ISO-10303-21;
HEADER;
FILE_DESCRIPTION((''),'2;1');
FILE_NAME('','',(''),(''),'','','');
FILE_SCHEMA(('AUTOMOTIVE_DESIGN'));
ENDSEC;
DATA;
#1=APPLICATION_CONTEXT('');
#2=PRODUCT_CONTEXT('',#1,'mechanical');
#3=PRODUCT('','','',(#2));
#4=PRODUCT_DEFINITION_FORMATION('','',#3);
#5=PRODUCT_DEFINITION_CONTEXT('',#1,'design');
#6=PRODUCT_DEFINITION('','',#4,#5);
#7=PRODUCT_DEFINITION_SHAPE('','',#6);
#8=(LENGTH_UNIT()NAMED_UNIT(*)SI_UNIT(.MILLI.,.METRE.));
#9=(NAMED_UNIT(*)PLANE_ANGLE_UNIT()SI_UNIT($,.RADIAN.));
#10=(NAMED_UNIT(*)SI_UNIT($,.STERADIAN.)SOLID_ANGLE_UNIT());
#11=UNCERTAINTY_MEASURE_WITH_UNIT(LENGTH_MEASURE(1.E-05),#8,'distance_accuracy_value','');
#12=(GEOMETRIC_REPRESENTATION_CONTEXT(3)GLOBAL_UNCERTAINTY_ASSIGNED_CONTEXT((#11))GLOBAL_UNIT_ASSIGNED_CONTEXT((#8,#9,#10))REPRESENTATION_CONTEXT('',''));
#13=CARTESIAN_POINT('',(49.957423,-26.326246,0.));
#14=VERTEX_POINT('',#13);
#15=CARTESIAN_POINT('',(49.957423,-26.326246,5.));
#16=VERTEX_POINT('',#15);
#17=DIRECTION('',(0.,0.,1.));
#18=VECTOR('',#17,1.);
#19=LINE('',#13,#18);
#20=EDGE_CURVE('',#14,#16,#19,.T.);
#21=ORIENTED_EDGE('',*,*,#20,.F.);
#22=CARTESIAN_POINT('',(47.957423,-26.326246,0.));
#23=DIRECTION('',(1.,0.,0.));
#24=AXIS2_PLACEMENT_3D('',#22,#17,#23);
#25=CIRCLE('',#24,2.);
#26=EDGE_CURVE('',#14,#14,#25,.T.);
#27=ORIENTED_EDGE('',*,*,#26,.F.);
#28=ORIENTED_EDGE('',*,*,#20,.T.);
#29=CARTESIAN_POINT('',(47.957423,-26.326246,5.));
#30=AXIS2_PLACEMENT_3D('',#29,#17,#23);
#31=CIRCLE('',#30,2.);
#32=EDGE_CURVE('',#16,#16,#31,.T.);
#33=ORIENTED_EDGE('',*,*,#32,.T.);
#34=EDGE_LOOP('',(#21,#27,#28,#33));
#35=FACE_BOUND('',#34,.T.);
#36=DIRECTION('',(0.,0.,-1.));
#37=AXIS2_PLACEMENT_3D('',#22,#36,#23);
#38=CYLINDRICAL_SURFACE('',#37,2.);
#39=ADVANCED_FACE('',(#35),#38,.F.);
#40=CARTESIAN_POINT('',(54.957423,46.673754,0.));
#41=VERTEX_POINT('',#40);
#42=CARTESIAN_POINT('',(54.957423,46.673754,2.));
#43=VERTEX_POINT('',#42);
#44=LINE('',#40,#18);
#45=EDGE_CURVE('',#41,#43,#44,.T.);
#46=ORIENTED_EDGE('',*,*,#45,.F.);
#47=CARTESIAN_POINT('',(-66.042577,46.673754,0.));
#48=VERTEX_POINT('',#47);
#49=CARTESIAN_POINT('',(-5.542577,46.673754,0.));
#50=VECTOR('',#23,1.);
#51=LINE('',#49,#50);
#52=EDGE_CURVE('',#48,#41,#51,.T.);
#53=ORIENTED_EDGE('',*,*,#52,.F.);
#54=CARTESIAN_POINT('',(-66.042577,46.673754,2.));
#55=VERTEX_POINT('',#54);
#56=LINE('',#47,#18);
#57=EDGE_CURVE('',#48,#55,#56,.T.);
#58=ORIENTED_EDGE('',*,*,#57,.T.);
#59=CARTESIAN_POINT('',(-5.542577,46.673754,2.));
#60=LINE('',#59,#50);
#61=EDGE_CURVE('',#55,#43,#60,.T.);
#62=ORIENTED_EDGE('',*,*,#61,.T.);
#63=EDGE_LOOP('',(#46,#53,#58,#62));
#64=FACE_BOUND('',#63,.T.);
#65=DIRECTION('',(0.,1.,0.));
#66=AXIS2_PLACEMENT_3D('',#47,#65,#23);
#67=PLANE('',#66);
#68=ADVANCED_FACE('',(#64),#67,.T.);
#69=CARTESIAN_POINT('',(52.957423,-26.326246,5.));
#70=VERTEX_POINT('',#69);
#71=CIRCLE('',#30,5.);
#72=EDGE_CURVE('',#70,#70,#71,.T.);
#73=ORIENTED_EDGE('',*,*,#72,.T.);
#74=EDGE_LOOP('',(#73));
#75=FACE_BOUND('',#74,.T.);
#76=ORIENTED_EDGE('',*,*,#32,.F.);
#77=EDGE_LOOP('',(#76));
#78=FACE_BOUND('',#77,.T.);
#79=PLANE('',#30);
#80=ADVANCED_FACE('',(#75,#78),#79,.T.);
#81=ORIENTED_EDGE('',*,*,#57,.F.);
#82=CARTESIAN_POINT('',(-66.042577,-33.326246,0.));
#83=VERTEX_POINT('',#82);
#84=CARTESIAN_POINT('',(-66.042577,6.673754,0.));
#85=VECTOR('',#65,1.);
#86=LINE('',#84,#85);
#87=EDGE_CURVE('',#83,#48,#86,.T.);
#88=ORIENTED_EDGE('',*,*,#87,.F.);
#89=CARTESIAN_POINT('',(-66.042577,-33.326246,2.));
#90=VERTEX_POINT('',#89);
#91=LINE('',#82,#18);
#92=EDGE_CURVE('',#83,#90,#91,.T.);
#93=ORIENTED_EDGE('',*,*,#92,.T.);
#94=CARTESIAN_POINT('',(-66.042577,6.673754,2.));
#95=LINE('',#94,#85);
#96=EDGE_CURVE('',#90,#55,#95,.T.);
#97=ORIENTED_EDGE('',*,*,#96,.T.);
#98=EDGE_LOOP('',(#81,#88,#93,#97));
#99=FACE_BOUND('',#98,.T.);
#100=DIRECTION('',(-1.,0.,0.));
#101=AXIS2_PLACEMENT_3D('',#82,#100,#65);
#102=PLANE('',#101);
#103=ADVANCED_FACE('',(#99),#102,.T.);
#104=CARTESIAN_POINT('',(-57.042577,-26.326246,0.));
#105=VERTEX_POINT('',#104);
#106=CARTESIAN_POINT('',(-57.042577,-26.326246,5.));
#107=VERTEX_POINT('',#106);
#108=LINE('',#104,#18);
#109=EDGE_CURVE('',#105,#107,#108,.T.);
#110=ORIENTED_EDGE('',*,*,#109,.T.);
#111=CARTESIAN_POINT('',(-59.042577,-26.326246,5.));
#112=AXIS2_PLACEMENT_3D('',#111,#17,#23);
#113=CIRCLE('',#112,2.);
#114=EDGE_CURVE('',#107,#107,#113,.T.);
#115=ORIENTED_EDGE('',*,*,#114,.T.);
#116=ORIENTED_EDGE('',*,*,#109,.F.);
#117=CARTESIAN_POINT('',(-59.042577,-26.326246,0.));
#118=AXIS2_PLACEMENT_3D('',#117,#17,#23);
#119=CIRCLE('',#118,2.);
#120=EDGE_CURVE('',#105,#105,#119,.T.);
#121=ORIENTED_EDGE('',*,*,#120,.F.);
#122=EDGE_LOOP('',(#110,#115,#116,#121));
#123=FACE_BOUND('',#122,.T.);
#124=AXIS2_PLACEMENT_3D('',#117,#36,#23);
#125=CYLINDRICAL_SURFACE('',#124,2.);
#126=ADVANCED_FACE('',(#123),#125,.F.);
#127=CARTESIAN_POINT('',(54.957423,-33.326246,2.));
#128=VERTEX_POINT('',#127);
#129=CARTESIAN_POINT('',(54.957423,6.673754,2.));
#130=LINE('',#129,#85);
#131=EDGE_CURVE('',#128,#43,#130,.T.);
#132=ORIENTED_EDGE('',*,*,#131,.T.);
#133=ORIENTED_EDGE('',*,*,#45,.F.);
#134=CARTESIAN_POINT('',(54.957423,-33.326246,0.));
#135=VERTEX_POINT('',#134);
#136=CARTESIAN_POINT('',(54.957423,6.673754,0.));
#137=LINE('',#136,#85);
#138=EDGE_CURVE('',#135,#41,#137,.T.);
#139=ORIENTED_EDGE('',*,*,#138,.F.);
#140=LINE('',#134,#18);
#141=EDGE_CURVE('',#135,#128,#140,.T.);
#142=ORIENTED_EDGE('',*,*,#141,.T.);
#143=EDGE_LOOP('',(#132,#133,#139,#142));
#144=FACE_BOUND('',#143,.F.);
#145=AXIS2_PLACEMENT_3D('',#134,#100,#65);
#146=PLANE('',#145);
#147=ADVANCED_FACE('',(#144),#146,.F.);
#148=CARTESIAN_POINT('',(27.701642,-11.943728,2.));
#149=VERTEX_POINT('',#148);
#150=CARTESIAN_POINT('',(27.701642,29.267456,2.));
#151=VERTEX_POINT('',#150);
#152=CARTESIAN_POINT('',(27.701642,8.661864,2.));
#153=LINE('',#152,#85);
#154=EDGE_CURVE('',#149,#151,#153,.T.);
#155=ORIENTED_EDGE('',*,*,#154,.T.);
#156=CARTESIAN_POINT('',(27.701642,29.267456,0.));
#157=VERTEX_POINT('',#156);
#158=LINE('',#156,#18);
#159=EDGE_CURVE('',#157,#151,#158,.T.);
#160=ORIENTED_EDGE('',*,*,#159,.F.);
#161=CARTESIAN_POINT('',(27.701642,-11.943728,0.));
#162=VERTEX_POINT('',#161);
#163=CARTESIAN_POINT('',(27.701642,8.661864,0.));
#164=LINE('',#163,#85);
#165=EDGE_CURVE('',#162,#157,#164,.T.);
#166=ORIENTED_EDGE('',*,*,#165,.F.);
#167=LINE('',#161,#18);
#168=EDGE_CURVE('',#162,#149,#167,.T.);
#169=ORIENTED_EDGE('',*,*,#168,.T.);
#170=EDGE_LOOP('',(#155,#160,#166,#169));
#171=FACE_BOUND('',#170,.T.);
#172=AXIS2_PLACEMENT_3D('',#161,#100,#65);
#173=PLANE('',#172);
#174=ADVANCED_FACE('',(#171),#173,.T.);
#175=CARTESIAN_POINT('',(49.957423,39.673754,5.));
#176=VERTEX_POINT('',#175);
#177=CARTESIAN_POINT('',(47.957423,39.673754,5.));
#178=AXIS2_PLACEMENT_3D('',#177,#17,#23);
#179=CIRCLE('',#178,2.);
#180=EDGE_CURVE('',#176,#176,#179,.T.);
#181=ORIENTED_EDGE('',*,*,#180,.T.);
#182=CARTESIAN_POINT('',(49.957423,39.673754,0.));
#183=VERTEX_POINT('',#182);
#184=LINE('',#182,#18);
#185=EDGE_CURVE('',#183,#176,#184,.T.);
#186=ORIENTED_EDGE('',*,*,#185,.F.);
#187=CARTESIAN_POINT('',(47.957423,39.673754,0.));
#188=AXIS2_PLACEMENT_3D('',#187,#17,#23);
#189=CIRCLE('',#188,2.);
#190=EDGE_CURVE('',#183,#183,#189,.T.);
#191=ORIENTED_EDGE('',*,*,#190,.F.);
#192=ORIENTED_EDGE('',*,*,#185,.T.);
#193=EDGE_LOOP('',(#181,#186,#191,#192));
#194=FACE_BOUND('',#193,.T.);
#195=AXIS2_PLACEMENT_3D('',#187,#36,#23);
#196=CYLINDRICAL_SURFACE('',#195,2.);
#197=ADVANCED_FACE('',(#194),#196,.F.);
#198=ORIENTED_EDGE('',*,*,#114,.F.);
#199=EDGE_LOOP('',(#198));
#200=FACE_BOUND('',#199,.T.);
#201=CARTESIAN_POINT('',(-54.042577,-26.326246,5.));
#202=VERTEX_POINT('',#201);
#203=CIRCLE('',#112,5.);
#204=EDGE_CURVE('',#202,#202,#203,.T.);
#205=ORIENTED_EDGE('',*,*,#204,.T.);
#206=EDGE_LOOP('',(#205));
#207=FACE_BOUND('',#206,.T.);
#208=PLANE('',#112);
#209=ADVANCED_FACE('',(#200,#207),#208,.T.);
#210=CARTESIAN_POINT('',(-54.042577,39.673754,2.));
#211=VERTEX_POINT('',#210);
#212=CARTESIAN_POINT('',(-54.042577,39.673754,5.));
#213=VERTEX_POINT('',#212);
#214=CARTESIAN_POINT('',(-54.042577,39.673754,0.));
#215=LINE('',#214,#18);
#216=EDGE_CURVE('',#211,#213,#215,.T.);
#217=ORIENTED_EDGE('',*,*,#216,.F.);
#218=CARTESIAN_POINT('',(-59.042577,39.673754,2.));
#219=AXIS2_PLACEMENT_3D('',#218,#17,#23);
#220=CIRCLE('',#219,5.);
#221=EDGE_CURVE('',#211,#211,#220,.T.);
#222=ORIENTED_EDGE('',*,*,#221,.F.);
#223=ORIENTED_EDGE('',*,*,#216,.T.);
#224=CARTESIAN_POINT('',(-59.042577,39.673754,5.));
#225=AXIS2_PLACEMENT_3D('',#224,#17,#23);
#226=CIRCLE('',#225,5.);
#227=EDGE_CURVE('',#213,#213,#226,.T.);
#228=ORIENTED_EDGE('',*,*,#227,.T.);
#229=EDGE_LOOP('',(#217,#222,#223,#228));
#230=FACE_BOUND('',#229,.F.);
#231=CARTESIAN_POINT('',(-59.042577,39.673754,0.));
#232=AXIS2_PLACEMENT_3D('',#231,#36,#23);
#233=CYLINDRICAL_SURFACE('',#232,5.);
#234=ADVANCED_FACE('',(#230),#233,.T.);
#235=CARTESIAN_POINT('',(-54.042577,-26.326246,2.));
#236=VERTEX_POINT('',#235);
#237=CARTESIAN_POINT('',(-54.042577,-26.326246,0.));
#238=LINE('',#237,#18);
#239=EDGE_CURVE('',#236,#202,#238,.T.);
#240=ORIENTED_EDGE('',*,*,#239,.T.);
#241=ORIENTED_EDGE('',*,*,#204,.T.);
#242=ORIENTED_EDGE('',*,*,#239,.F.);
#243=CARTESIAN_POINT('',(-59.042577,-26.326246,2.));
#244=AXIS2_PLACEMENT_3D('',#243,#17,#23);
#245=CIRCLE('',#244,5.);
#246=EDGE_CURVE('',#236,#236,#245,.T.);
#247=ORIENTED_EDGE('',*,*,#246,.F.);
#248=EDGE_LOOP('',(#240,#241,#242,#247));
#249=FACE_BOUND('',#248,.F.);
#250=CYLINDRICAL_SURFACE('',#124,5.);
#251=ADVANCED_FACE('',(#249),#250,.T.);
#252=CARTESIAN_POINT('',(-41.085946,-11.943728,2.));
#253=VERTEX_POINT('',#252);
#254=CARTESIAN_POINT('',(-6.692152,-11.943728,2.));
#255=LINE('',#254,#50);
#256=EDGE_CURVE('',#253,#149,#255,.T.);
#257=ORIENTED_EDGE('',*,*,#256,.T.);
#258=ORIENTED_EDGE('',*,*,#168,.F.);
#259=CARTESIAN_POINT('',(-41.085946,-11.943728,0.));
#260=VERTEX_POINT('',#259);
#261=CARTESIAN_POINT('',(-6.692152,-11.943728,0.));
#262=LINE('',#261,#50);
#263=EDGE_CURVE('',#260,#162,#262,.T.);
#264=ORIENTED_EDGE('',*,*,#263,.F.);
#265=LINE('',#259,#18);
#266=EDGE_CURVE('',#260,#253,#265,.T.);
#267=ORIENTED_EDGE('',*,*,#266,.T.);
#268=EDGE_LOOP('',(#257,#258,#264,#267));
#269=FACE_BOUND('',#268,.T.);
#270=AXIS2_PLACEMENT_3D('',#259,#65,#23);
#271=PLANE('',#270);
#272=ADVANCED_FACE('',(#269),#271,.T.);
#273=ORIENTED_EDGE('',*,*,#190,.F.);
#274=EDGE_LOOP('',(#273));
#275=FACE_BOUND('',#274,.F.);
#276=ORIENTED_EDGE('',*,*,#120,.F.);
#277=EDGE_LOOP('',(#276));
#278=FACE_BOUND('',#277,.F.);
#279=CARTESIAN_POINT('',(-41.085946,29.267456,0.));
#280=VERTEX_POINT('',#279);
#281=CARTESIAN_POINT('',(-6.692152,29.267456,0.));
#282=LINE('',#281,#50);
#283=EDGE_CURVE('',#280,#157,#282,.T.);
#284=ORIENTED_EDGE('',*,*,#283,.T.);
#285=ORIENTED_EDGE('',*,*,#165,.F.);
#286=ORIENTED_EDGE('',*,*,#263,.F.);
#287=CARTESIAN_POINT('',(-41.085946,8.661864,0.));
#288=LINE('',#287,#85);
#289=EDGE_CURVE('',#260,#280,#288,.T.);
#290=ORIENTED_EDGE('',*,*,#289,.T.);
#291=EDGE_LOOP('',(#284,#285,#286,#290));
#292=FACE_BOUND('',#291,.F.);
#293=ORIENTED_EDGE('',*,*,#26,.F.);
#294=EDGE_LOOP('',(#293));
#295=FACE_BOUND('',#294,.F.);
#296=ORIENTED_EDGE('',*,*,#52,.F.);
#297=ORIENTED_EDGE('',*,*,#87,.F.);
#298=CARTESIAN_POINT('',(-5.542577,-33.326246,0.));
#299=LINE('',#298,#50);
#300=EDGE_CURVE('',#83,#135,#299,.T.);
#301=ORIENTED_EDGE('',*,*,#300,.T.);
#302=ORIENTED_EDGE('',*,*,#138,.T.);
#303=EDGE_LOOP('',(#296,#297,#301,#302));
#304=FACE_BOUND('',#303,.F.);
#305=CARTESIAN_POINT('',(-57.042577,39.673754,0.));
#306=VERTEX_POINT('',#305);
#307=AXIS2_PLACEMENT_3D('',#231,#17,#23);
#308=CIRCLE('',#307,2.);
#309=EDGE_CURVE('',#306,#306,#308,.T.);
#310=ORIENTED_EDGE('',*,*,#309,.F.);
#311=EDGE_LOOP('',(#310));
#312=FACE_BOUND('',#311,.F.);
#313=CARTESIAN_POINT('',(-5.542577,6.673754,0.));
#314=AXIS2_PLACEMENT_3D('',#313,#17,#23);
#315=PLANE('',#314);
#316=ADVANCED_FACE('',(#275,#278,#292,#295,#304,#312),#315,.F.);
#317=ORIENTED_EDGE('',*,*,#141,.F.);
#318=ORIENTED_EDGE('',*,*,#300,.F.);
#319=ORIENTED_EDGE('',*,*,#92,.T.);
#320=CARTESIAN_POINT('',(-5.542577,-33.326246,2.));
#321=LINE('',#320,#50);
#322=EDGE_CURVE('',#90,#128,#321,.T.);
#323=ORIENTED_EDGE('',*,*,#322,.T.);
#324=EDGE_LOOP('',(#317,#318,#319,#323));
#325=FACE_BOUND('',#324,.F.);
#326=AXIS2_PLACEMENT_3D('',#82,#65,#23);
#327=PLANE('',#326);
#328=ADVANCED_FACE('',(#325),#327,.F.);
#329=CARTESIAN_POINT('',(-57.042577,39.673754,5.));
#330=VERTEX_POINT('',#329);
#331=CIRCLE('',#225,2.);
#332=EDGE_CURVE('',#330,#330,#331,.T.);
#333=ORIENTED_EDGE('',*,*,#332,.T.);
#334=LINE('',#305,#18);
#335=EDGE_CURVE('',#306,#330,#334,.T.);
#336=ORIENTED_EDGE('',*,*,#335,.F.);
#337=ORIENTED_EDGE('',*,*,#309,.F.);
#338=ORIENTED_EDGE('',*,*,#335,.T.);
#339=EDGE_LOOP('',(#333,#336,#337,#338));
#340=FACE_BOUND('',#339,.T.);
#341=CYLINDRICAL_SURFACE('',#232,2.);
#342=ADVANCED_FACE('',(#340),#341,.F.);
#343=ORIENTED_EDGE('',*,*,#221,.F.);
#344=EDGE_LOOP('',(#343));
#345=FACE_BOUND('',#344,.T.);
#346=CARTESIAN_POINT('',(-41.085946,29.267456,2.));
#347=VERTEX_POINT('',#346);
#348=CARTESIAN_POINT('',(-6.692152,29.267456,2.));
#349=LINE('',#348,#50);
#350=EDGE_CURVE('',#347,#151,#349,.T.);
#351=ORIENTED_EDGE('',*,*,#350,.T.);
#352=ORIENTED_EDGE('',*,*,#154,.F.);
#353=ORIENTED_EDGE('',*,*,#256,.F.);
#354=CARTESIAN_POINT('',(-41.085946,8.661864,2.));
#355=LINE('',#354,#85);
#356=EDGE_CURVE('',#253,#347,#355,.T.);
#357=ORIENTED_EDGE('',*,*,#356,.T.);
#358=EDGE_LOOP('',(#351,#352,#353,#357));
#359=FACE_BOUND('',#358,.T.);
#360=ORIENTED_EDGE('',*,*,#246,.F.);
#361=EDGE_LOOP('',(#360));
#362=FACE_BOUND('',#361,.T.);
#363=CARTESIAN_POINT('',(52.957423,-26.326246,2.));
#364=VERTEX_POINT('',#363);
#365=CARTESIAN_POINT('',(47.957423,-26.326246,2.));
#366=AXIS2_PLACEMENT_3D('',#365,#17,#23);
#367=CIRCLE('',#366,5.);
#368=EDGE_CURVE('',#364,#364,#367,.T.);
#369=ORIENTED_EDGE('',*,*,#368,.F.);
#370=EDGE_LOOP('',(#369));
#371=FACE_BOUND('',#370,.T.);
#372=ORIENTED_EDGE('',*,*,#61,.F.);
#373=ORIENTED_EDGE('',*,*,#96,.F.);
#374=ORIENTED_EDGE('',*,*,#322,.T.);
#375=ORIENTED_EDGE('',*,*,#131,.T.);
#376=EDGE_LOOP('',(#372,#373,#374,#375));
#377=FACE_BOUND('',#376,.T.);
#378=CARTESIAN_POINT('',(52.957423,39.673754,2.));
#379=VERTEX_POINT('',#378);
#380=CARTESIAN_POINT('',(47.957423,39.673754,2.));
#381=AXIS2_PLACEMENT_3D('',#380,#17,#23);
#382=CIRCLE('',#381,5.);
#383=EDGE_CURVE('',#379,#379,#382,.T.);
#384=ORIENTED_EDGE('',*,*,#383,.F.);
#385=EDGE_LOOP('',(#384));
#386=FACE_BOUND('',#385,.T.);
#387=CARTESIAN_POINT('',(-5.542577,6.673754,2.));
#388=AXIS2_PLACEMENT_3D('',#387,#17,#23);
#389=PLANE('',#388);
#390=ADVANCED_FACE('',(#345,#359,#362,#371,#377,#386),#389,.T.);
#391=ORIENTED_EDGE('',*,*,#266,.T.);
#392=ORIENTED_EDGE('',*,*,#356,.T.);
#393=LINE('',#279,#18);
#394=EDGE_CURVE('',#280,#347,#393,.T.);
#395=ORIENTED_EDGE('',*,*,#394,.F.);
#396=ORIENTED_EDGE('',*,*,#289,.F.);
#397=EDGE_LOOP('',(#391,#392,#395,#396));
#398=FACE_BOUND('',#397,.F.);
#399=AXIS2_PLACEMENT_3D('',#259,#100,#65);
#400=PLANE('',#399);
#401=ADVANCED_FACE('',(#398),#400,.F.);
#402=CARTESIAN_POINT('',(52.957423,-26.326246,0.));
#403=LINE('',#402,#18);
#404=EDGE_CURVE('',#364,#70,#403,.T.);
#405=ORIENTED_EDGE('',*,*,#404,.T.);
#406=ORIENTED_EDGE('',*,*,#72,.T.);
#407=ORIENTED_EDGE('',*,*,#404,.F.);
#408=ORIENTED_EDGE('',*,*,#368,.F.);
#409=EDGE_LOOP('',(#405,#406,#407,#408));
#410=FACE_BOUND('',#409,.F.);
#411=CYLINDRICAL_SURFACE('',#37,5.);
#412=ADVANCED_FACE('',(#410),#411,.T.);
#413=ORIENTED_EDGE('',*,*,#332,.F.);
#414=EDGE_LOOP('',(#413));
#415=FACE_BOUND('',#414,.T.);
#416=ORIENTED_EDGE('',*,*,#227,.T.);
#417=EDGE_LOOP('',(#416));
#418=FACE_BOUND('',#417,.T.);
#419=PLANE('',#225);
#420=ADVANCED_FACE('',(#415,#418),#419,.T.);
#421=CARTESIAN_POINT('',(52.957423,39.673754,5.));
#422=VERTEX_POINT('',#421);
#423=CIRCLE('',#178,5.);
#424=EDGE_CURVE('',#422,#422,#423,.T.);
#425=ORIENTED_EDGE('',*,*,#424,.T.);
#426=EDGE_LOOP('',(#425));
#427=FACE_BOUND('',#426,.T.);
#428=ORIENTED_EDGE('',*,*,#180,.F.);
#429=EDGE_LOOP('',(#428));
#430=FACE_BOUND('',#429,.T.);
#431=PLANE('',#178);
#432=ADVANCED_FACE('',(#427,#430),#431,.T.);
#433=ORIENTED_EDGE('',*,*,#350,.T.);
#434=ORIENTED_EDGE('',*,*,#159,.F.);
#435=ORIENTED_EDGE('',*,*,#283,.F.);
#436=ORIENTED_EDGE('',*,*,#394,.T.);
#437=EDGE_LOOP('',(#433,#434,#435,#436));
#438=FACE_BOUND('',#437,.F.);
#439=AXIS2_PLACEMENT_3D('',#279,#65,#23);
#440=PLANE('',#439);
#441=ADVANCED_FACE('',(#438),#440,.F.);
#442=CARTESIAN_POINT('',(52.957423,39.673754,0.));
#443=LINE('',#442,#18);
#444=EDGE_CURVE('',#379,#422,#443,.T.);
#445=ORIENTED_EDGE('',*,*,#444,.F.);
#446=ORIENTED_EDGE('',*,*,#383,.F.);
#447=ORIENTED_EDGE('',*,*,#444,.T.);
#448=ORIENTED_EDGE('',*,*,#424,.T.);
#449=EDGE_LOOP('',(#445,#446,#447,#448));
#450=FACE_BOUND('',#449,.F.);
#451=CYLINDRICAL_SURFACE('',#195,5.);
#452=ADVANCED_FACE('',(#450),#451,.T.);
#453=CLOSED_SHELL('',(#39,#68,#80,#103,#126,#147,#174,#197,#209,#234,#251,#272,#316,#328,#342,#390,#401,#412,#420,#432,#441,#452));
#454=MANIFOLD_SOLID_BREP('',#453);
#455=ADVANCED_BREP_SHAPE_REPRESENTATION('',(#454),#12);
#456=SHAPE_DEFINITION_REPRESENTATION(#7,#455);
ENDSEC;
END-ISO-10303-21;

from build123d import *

# Parameters (mm, degrees)
F0_W     = 121
F0_H     = 80
F0_R     = 5
F0_W_2   = 68.787589
F0_H_2   = 41.211184
F1_DEPTH = 2
F0_R_2   = 2
F2_DEPTH = 5


with BuildPart() as f1:
    # F0 (on Top) → F1 (new body)
    with BuildSketch(Plane.XY):
        with Locations((-5.542577, 6.673754)):
            Rectangle(F0_W, F0_H)
        with Locations((-59.042577, -26.326246)):
            Circle(F0_R, mode=Mode.SUBTRACT)
        with Locations((47.957423, -26.326246)):
            Circle(F0_R, mode=Mode.SUBTRACT)
        with Locations((-6.692152, 8.661864)):
            Rectangle(F0_W_2, F0_H_2, mode=Mode.SUBTRACT)
        with Locations((-59.042577, 39.673754)):
            Circle(F0_R, mode=Mode.SUBTRACT)
        with Locations((47.957423, 39.673754)):
            Circle(F0_R, mode=Mode.SUBTRACT)
    extrude(amount=F1_DEPTH)

    # F0 (on Top) → F2 (join)
    with BuildSketch(Plane.XY):
        with Locations((-59.042577, 39.673754)):
            Circle(F0_R)
        with Locations((-59.042577, 39.673754)):
            Circle(F0_R_2, mode=Mode.SUBTRACT)
        with Locations((47.957423, 39.673754)):
            Circle(F0_R)
        with Locations((47.957423, 39.673754)):
            Circle(F0_R_2, mode=Mode.SUBTRACT)
        with Locations((47.957423, -26.326246)):
            Circle(F0_R)
        with Locations((47.957423, -26.326246)):
            Circle(F0_R_2, mode=Mode.SUBTRACT)
        with Locations((-59.042577, -26.326246)):
            Circle(F0_R)
        with Locations((-59.042577, -26.326246)):
            Circle(F0_R_2, mode=Mode.SUBTRACT)
    extrude(amount=F2_DEPTH)


solid = f1.part
